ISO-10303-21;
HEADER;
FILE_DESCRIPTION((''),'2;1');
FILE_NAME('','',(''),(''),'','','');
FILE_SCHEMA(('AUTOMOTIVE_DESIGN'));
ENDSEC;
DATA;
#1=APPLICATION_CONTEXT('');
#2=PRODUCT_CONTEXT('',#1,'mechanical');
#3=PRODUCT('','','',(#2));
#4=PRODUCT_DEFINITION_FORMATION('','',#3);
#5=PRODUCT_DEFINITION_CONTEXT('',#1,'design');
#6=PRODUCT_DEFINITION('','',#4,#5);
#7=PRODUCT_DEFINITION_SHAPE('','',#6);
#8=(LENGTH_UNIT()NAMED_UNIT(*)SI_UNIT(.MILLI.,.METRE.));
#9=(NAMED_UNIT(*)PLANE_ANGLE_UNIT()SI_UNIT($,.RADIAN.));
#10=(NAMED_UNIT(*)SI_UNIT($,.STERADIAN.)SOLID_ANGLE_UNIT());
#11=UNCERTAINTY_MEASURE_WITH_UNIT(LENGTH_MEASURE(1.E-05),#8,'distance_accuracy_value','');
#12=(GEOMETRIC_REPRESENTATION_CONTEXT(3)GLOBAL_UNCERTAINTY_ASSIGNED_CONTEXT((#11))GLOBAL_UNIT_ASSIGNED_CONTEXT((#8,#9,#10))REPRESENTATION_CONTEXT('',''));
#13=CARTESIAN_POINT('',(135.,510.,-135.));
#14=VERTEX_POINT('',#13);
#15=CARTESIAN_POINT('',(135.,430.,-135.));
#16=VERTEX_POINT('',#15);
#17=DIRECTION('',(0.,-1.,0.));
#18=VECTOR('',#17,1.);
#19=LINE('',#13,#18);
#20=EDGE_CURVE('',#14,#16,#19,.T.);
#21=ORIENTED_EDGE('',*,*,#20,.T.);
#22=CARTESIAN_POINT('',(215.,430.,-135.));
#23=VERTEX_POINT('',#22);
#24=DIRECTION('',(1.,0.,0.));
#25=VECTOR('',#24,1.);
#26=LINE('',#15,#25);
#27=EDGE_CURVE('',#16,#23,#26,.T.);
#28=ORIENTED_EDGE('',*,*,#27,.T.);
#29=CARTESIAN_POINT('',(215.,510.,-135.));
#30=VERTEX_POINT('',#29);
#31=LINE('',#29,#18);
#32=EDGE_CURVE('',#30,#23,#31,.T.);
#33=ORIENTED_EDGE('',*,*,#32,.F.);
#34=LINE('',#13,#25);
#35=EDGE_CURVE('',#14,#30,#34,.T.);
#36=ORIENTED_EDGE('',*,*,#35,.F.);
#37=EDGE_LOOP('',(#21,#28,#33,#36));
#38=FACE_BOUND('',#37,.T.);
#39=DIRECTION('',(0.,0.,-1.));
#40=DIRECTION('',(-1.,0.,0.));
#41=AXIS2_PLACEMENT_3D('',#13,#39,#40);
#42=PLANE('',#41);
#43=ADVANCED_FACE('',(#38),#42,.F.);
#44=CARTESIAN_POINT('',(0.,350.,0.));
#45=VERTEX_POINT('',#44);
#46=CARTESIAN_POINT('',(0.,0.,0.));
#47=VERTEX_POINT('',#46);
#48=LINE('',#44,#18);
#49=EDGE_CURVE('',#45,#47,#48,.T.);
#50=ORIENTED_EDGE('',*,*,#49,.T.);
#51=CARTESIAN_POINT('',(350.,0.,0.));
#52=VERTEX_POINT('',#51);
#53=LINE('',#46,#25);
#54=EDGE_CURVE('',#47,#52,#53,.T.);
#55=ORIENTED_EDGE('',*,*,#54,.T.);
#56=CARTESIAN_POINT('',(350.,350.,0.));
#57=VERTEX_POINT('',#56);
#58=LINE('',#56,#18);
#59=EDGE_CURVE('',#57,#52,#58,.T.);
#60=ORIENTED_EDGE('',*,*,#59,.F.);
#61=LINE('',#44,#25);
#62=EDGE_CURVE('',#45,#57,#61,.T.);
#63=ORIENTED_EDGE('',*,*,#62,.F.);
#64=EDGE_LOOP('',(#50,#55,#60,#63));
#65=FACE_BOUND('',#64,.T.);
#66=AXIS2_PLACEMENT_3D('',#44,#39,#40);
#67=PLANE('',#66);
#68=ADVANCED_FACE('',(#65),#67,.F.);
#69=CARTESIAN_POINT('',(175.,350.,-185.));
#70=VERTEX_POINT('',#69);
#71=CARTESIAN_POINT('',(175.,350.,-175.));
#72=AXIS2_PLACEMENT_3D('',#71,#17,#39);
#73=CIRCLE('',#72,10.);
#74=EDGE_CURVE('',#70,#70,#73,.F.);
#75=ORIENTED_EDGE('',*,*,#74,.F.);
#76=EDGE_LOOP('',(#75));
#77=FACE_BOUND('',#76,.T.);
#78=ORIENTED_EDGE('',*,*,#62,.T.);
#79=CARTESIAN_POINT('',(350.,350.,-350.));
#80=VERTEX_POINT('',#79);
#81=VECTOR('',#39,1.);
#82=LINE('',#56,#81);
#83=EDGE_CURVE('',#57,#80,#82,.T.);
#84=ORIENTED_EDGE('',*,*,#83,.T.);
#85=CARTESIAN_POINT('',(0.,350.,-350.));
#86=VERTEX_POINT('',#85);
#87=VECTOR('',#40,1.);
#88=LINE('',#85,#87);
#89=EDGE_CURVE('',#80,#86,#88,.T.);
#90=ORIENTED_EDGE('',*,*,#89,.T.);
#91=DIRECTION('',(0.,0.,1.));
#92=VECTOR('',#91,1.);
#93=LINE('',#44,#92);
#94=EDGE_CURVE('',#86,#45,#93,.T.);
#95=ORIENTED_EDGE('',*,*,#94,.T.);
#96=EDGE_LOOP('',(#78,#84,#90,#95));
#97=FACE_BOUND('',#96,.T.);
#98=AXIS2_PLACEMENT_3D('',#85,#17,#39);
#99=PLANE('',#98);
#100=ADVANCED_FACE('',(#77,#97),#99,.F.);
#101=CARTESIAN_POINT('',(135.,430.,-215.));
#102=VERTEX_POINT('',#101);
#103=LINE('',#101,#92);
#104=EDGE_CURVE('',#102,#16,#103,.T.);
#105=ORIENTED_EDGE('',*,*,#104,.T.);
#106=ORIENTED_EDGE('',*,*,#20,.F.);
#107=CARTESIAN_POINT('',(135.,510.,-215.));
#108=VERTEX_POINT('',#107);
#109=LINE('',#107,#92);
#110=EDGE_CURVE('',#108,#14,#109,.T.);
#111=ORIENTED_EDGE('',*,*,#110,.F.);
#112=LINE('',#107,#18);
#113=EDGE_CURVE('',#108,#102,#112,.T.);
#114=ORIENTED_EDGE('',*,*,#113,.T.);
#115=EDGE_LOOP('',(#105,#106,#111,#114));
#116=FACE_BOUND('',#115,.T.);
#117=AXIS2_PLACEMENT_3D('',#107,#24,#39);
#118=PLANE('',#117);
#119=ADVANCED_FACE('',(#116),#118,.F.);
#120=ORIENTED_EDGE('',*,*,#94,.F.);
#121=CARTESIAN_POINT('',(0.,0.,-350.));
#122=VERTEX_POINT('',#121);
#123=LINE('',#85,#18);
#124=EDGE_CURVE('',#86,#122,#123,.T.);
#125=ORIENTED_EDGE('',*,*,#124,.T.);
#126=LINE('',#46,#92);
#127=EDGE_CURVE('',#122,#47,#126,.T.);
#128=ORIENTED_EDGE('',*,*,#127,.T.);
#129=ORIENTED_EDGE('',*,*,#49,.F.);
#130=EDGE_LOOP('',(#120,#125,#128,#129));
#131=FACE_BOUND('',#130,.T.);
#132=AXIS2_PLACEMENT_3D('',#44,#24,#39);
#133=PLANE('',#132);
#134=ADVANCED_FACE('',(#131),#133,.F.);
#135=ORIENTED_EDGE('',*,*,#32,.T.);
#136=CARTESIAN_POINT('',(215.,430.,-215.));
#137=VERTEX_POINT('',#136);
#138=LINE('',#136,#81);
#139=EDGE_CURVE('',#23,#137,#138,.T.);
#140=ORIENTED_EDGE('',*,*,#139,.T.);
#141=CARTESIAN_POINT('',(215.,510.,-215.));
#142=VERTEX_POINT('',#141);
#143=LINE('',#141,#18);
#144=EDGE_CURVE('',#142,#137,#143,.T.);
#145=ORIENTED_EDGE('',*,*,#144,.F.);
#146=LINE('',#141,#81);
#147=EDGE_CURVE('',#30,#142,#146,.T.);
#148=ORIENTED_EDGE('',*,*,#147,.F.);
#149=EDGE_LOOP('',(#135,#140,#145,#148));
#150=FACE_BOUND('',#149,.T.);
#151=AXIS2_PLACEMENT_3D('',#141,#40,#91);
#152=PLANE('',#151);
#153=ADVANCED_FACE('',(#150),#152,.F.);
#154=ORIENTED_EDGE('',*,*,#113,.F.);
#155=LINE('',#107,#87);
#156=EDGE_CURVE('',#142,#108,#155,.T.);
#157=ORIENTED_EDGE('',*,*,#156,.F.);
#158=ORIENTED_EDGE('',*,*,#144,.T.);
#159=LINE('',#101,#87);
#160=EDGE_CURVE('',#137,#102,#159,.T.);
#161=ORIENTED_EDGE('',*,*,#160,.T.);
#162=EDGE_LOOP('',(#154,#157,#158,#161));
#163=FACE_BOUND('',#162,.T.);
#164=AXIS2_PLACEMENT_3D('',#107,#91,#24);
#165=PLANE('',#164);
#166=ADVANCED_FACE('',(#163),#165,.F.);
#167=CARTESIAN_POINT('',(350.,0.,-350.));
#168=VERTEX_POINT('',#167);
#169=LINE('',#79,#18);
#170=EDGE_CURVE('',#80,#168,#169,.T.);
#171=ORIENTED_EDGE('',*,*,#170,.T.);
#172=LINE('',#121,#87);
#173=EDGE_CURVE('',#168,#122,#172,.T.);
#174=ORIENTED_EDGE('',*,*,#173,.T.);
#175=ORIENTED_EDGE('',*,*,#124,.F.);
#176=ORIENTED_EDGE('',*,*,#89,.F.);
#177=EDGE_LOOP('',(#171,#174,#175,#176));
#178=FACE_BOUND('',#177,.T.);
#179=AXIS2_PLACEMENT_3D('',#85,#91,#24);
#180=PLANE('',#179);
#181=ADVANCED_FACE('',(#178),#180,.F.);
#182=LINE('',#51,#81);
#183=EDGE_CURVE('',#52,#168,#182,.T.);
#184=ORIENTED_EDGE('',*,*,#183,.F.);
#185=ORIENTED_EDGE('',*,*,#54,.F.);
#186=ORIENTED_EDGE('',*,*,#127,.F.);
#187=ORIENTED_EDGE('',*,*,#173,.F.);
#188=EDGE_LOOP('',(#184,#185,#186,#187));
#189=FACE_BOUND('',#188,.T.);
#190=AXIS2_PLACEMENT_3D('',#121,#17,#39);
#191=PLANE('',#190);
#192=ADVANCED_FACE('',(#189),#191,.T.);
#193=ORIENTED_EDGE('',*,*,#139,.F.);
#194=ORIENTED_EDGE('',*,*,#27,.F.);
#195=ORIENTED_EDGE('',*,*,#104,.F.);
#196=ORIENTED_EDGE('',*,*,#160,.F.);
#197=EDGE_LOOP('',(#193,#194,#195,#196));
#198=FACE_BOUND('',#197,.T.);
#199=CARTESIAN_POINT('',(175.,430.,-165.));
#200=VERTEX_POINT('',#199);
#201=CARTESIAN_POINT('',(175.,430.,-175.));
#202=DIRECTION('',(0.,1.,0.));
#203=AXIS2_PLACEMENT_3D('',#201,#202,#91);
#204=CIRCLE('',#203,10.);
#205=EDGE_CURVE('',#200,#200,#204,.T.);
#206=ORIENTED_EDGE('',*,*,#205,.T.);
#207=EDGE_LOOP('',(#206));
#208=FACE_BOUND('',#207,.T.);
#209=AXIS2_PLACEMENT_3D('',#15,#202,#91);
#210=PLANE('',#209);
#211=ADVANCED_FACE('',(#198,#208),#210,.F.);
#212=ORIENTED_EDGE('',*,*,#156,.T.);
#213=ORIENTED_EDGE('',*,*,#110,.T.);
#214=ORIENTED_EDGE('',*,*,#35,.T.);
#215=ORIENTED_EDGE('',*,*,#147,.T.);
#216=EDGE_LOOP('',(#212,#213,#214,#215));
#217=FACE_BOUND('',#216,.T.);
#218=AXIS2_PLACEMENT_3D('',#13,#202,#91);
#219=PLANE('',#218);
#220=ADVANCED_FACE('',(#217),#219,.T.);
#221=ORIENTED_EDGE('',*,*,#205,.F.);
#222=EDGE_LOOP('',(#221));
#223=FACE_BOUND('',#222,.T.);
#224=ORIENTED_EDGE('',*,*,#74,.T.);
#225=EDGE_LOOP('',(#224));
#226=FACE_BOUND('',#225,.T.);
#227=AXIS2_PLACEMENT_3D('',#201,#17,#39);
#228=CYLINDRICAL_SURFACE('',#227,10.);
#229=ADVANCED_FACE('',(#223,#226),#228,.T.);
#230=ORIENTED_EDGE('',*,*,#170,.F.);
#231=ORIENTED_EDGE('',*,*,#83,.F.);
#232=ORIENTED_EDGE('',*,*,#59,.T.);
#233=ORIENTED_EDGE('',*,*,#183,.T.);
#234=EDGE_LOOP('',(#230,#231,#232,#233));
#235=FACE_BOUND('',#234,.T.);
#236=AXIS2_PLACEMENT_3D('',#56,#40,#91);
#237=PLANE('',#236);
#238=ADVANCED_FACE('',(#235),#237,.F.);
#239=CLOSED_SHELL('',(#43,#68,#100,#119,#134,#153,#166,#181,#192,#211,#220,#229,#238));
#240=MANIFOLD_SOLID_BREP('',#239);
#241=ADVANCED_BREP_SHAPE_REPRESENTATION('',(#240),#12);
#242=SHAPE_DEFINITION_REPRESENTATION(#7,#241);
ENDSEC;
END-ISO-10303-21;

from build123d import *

# Parameters (mm, degrees)
ESQUISSE1_W      = 350
ESQUISSE1_H      = 350
EXTRUSION1_DEPTH = 350
ESQUISSE2_R      = 10
EXTRUSION2_DEPTH = 80
ESQUISSE3_W      = 80
ESQUISSE3_H      = 80
EXTRUSION3_DEPTH = 80


with BuildPart() as part:
    # Esquisse1 → Extrusion1 (new body)
    with BuildSketch(Plane(origin=(0, 0, 0), x_dir=(1, 0, 0), z_dir=(0, 1, 0))):
        with Locations((175, 175)):
            Rectangle(ESQUISSE1_W, ESQUISSE1_H)
    extrude(amount=EXTRUSION1_DEPTH)

    # Esquisse2 → Extrusion2 (add)
    with BuildSketch(Plane(origin=(0, 350, 0), x_dir=(1, 0, 0), z_dir=(0, 1, 0))):
        with Locations((175, 175)):
            Circle(ESQUISSE2_R)
    extrude(amount=EXTRUSION2_DEPTH)

    # Esquisse3 → Extrusion3 (add)
    with BuildSketch(Plane(origin=(0, 430, 0), x_dir=(1, 0, 0), z_dir=(0, 1, 0))):
        with Locations((175, 175)):
            Rectangle(ESQUISSE3_W, ESQUISSE3_H)
    extrude(amount=EXTRUSION3_DEPTH)


solid = part.part
